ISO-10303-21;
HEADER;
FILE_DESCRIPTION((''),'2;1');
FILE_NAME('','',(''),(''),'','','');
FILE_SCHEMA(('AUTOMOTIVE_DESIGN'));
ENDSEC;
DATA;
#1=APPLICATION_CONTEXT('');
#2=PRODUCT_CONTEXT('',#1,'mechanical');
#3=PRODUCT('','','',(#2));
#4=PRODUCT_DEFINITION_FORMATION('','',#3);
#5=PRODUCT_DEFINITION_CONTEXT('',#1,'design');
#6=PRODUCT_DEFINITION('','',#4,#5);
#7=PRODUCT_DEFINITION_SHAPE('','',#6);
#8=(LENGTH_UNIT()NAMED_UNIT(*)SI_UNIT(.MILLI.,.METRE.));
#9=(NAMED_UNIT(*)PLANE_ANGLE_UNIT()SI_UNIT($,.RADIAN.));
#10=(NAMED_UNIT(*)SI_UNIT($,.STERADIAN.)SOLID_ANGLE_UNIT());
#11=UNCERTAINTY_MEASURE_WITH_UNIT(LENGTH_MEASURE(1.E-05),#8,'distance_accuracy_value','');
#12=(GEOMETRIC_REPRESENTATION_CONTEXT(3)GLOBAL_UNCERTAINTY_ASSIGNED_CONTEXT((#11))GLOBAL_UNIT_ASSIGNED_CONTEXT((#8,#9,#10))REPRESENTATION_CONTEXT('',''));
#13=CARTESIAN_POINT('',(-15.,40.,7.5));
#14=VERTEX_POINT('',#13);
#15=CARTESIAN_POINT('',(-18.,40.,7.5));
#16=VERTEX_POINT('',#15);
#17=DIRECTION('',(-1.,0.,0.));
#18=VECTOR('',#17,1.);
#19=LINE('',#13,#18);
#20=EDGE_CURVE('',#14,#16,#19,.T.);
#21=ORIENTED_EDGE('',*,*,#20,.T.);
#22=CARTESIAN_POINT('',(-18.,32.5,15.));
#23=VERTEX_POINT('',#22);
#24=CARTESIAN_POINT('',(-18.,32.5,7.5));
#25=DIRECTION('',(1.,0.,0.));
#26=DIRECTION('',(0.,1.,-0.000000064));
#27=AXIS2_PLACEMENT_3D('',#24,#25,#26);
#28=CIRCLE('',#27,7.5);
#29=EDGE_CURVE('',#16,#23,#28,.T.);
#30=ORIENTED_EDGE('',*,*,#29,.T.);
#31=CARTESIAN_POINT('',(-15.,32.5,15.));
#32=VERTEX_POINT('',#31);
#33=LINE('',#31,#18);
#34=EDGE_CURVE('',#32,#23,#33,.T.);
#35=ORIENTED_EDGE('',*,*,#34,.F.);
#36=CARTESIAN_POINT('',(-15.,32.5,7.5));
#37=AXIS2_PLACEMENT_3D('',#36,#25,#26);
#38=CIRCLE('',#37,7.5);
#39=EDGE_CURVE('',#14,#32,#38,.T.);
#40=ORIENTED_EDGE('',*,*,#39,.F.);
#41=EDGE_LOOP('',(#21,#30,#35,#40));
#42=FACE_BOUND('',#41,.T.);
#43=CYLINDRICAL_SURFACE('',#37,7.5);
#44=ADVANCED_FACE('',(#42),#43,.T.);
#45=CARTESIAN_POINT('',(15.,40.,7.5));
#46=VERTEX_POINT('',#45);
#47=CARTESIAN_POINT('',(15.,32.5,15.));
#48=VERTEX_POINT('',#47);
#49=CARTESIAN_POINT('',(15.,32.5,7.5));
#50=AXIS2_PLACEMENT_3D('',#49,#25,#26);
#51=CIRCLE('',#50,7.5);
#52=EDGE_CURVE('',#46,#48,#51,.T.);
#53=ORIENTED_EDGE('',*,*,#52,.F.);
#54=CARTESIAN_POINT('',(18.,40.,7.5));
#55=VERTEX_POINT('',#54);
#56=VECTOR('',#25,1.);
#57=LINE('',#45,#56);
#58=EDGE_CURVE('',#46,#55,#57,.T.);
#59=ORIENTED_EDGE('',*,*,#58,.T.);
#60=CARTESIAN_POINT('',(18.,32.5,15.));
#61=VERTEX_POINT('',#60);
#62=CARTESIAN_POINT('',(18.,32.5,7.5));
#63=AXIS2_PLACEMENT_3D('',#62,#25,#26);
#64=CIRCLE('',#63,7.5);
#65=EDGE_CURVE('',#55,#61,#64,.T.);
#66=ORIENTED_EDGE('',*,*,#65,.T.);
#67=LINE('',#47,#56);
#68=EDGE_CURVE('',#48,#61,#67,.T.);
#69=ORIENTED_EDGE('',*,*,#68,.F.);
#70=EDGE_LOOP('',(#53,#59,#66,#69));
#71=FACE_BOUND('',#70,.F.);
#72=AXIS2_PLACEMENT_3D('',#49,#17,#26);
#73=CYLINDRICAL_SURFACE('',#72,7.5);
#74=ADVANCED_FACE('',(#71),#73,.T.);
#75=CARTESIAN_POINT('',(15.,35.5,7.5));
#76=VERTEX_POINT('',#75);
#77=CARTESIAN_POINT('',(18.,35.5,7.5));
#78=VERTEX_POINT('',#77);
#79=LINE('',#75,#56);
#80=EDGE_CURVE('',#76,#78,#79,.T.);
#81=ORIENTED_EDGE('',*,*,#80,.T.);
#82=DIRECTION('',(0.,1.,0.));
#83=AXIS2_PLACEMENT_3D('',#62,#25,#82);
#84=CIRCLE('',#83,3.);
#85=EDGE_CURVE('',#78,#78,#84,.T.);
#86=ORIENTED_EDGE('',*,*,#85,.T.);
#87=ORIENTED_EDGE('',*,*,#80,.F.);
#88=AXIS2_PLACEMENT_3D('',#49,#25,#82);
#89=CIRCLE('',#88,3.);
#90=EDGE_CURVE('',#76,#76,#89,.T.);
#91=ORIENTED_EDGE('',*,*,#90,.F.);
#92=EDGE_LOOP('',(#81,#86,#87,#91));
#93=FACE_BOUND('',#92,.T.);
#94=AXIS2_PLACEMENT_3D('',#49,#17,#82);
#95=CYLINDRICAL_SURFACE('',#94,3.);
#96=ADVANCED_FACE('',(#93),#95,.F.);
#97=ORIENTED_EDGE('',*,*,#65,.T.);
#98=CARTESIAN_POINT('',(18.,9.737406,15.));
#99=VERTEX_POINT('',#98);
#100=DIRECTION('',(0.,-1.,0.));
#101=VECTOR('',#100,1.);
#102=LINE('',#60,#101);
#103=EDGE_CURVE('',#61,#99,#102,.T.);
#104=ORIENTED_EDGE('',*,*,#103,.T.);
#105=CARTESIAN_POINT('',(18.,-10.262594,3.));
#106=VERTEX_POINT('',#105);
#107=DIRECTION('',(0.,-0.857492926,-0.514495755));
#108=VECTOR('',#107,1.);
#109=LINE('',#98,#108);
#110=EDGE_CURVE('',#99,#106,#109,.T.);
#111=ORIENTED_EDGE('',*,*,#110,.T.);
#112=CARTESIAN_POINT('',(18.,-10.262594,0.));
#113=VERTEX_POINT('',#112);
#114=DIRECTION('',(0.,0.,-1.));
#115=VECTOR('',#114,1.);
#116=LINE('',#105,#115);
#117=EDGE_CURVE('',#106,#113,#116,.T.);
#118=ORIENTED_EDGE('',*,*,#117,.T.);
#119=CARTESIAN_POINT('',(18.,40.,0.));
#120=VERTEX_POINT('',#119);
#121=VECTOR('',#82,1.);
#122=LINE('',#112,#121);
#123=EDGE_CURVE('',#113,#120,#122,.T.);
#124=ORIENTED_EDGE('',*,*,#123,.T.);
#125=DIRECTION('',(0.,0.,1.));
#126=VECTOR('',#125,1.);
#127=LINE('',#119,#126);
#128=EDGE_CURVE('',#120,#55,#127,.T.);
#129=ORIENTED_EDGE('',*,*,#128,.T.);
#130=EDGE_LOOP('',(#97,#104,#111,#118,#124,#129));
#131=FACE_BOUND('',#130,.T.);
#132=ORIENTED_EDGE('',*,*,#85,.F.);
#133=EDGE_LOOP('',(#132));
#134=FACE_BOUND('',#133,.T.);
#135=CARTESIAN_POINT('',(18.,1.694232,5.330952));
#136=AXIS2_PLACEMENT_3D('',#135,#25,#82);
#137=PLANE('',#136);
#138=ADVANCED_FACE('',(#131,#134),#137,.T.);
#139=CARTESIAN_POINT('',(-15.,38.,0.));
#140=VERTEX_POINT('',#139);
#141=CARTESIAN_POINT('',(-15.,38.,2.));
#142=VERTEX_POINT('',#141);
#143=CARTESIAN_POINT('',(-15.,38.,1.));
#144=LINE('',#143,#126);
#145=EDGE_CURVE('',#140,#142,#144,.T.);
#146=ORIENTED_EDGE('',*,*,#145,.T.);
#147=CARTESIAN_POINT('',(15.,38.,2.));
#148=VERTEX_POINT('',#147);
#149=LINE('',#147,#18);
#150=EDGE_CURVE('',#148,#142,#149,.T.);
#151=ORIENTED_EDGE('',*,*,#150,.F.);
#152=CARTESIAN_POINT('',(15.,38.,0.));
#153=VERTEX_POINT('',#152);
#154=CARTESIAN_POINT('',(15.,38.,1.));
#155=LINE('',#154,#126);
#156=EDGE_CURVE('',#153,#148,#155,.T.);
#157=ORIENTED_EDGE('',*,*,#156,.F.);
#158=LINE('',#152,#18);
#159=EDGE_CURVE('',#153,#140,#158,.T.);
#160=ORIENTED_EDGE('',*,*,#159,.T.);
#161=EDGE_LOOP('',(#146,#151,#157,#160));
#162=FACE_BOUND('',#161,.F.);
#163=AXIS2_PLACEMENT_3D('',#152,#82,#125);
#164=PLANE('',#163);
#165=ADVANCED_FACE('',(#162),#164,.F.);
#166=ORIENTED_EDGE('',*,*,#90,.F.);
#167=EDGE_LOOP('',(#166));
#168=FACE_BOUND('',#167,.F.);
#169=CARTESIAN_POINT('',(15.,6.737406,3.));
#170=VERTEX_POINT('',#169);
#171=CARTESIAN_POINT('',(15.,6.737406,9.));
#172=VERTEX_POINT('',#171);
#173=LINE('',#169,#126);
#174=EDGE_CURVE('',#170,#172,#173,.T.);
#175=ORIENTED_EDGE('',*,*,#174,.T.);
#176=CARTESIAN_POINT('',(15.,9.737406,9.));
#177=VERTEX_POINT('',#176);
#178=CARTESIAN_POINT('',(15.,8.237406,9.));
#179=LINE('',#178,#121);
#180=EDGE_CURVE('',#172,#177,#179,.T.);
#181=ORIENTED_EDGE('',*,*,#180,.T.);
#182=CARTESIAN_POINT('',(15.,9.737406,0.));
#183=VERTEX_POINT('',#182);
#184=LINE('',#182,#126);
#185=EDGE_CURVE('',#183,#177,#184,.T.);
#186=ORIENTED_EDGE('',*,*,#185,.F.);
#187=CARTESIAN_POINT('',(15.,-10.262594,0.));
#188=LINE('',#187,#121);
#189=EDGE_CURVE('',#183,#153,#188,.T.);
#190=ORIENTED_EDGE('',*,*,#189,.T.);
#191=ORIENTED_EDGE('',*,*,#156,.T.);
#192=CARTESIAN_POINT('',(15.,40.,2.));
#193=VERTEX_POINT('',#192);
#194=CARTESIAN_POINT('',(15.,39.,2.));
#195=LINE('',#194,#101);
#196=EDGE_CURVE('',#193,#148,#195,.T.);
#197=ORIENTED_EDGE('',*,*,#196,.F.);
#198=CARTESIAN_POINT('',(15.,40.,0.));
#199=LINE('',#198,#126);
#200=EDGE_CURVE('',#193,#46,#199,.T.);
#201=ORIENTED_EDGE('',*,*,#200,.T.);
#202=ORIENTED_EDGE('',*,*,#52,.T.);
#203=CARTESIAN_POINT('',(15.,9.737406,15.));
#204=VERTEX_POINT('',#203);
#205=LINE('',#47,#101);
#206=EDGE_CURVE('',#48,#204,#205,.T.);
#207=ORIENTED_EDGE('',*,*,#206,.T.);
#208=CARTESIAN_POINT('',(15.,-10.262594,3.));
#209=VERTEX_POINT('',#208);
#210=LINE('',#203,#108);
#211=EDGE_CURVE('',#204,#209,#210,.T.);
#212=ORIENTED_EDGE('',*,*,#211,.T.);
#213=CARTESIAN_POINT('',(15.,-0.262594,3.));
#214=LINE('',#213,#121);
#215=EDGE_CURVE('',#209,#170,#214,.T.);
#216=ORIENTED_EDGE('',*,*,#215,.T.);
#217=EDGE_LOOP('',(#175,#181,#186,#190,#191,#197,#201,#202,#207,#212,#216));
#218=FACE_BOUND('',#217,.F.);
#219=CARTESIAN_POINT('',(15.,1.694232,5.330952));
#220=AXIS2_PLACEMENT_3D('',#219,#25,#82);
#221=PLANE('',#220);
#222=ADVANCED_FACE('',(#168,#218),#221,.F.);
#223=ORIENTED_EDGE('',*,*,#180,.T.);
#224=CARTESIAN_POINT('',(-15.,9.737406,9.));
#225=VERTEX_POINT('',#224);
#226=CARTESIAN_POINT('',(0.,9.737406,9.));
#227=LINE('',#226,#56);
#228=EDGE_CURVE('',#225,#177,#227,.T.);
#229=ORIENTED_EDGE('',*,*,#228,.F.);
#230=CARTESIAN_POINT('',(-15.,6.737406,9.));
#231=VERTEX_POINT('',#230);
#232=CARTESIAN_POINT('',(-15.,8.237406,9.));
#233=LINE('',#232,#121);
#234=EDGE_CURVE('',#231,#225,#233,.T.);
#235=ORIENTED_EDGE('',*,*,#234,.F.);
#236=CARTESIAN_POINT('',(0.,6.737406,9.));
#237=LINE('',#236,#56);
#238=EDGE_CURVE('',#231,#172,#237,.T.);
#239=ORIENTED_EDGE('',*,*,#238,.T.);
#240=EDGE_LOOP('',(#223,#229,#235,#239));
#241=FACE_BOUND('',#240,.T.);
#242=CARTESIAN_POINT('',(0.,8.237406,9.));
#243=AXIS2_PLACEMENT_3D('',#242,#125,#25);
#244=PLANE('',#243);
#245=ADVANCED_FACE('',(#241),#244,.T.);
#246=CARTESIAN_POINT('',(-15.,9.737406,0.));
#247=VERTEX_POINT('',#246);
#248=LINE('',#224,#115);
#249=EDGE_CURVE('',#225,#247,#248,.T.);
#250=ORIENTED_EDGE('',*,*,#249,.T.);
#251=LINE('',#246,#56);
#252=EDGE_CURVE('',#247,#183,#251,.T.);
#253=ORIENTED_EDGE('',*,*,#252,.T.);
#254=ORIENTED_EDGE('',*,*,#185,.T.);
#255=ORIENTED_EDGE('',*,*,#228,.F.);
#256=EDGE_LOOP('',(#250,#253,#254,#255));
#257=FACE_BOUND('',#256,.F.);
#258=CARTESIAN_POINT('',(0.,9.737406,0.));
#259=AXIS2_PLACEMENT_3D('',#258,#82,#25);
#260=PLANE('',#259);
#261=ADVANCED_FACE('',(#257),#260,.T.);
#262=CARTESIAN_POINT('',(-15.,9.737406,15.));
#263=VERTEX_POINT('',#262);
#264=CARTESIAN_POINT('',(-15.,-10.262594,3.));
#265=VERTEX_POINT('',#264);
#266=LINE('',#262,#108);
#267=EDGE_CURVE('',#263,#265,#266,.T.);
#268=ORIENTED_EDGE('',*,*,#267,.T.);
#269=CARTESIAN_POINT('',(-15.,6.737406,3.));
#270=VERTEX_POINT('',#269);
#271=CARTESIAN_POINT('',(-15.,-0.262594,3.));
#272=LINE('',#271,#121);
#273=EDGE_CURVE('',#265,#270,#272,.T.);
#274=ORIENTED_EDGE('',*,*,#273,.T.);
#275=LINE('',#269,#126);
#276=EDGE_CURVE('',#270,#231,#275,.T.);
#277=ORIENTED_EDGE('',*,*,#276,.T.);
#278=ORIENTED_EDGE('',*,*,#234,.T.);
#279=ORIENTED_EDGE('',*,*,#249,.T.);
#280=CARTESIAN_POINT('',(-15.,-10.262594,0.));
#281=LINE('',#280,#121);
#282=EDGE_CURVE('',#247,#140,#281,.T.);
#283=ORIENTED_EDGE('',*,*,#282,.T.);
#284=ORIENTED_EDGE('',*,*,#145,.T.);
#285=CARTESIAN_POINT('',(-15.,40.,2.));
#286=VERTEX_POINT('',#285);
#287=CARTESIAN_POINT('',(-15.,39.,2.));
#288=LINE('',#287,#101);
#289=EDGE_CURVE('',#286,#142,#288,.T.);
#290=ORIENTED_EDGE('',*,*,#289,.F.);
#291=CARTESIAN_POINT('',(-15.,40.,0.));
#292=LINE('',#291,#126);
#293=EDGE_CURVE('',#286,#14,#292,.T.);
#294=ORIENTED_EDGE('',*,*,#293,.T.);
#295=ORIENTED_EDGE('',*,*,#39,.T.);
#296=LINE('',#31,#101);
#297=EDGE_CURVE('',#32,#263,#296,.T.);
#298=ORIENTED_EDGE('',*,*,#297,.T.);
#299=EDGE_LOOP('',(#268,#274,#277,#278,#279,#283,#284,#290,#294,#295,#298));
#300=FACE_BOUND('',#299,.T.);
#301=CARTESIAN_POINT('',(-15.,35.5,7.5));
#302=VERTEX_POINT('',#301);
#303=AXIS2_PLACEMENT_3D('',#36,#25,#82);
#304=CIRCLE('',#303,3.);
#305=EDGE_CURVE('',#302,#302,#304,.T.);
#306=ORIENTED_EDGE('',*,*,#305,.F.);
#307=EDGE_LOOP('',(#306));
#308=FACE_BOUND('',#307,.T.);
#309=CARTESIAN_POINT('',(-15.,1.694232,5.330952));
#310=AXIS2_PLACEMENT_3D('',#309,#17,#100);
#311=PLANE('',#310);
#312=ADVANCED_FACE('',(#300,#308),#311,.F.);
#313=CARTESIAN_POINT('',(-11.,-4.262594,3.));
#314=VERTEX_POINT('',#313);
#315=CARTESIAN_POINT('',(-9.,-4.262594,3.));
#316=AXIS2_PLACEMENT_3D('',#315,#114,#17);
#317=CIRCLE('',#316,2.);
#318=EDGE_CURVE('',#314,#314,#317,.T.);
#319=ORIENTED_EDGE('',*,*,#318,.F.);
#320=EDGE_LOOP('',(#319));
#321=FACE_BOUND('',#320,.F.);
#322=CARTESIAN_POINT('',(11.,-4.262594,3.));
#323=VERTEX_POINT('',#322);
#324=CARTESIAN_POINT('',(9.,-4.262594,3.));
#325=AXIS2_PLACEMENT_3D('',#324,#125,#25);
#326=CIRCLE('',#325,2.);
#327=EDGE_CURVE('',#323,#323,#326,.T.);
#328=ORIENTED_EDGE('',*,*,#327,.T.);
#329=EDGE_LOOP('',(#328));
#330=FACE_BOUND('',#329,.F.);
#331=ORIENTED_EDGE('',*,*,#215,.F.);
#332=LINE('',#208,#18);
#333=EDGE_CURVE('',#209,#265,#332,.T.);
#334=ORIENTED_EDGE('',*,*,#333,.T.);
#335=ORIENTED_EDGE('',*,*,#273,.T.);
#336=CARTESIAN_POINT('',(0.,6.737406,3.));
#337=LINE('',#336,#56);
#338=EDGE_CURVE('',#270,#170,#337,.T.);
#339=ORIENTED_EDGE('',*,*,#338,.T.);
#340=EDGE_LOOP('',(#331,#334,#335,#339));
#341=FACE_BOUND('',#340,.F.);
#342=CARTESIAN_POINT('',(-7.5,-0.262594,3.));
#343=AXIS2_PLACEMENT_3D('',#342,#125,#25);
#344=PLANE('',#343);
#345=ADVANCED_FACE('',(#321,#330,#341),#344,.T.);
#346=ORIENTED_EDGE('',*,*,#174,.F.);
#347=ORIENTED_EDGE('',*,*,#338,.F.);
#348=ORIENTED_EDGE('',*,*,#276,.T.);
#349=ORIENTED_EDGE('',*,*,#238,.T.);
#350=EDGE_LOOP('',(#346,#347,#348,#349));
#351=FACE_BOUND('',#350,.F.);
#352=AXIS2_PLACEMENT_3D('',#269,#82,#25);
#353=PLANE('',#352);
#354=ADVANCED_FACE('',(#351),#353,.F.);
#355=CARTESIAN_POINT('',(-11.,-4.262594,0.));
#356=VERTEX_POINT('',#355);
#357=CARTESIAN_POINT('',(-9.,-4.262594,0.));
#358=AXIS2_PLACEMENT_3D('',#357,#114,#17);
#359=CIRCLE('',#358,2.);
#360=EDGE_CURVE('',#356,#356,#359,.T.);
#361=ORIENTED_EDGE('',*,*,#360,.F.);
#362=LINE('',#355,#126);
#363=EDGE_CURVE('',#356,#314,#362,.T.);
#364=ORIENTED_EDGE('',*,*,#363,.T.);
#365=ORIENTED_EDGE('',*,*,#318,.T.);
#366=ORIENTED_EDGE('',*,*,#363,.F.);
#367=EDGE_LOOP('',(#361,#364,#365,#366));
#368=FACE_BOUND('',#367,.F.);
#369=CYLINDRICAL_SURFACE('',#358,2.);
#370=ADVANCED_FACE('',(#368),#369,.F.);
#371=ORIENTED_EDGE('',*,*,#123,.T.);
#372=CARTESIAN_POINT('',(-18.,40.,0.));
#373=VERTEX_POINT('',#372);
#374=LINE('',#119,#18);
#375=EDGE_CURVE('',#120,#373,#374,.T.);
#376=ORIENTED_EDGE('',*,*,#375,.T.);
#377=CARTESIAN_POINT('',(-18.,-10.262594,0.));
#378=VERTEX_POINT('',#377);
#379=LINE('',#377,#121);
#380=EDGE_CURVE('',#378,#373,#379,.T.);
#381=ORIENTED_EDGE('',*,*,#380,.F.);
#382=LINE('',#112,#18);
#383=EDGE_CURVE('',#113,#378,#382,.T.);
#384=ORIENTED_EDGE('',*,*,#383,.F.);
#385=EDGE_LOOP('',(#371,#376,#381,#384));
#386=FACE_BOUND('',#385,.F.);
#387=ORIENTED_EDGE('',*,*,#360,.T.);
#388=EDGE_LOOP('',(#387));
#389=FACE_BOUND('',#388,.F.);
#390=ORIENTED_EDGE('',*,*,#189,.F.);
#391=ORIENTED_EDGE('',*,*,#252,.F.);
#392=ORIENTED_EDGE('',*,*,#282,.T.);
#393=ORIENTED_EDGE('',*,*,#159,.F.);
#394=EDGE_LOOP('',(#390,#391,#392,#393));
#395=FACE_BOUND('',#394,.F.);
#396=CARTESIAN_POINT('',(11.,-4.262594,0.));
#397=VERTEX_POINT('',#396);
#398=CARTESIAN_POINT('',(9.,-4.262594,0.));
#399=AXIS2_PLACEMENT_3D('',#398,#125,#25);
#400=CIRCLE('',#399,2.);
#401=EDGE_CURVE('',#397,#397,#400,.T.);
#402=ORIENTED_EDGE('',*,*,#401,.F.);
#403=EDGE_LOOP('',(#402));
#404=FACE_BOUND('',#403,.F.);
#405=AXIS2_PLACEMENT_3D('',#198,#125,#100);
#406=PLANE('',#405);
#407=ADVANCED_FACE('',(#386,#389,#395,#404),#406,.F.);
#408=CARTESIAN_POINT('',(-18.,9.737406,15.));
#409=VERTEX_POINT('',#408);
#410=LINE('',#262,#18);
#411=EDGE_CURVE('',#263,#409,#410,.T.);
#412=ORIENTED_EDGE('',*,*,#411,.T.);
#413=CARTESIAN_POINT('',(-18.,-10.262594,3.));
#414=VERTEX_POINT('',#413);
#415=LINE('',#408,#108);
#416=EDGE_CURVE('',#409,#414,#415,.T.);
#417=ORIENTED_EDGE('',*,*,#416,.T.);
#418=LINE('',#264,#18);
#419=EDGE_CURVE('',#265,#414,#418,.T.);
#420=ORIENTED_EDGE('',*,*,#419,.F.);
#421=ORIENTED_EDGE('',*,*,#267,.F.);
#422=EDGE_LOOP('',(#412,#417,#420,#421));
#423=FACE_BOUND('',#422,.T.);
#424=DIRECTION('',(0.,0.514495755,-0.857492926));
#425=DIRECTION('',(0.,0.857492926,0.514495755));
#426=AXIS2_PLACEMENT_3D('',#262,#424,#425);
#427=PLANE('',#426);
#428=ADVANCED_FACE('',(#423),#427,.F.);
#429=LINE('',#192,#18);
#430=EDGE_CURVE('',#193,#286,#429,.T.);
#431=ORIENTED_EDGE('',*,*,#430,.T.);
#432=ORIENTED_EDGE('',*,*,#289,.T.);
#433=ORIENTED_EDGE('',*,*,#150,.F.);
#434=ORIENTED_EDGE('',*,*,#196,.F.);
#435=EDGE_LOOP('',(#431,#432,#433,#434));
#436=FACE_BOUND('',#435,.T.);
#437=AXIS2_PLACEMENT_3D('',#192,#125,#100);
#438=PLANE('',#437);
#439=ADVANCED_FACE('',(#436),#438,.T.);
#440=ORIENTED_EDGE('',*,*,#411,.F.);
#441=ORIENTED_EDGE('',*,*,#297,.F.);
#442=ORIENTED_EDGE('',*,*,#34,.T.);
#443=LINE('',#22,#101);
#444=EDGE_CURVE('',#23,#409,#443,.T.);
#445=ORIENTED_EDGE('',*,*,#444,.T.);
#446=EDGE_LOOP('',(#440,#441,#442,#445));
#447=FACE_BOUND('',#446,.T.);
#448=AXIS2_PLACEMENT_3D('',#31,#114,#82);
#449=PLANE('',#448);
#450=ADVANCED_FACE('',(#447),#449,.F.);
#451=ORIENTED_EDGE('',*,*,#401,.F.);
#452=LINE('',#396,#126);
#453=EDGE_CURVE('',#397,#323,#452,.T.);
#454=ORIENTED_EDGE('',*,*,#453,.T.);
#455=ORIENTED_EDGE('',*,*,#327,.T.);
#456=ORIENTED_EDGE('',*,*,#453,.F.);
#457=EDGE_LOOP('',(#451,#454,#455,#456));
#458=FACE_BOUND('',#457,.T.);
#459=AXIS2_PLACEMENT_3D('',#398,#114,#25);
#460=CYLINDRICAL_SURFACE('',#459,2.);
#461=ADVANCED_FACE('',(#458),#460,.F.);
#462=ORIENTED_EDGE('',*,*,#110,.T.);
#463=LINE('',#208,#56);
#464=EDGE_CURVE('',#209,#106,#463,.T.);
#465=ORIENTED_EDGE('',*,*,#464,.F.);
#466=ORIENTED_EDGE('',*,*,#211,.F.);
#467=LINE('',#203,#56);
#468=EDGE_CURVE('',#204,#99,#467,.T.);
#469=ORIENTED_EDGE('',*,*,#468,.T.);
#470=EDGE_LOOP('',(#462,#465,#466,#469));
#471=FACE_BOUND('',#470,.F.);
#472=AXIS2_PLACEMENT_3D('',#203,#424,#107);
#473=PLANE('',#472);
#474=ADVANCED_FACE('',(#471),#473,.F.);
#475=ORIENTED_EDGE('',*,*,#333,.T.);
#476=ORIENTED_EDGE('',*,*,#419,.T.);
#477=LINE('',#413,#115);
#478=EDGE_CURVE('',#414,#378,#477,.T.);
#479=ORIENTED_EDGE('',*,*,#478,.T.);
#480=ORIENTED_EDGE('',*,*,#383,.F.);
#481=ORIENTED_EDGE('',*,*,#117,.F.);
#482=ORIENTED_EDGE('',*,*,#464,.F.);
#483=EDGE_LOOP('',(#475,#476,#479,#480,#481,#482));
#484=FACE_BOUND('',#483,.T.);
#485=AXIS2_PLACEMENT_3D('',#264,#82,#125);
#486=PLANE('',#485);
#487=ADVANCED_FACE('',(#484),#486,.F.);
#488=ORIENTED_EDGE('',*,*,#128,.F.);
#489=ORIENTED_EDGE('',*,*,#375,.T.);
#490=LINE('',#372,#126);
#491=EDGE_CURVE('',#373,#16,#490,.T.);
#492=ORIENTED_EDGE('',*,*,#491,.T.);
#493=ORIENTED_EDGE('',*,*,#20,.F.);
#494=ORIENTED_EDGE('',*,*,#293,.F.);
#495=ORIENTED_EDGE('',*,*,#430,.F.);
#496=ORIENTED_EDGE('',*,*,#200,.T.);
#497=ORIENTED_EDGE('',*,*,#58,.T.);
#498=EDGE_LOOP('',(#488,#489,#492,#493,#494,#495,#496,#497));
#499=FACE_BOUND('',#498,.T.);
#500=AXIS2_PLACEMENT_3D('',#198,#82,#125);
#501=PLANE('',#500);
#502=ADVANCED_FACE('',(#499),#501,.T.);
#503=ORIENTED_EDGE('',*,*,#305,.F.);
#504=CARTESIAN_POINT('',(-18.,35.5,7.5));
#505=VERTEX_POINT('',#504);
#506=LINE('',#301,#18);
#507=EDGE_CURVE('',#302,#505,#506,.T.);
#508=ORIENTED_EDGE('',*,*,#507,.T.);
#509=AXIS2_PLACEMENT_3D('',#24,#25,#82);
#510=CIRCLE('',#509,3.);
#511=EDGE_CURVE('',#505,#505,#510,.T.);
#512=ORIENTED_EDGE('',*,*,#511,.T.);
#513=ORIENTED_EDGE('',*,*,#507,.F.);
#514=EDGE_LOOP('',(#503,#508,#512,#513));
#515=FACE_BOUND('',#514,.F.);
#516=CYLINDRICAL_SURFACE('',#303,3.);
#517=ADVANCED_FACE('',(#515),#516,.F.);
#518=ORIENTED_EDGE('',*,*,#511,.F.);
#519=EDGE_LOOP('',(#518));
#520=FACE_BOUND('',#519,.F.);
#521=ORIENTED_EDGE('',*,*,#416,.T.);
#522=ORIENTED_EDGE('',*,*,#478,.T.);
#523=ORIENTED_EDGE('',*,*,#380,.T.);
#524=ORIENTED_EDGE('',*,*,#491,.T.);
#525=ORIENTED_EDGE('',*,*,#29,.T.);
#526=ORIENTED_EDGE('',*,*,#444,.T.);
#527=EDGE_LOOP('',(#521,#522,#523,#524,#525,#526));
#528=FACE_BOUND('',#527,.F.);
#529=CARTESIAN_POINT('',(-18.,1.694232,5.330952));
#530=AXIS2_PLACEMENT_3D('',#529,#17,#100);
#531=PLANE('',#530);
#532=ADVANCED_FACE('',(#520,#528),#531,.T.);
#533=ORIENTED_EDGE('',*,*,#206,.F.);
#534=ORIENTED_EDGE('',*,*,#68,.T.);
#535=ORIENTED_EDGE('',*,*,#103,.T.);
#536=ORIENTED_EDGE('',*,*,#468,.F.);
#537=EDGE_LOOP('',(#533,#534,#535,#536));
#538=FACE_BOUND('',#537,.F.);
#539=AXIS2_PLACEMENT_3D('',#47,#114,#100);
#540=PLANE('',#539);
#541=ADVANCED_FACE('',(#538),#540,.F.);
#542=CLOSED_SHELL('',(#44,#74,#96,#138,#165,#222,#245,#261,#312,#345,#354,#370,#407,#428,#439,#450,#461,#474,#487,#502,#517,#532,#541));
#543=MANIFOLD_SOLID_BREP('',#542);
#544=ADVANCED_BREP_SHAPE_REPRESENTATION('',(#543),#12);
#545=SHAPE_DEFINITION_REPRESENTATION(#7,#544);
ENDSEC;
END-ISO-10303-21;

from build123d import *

# Parameters (mm, degrees)
F0_W     = 15
F0_H     = 20
F0_R     = 2
F1_DEPTH = 3
F2_R     = 3
F3_DEPTH = 3
F5_W     = 30
F5_H     = 3
F6_DEPTH = 6
F7_W     = 2
F7_H     = 2
F8_DEPTH = 30


with BuildPart() as f1:
    # F0 (on Top) → F1 (new body)
    with BuildSketch(Plane.XY):
        with Locations((7.5, -0.262594)):
            Rectangle(F0_W, F0_H)
        with Locations((9, -4.262594)):
            Circle(F0_R, mode=Mode.SUBTRACT)
    extrude(amount=F1_DEPTH)

    # F2 (on face) → F3 (join)
    with BuildSketch(Plane.YZ.offset(15)):
        Polygon((-10.262594, 0), (0, 0), (9.737406, 0), (9.737406, 15), (-10.262594, 3), align=None)
        with BuildLine():
            Line((9.737406, 15), (9.737406, 0))
            Line((9.737406, 0), (40, 0))
            Line((40, 0), (40, 7.5))
            ThreePointArc((40, 7.5), (37.803301, 12.803301), (32.5, 15))
            Line((32.5, 15), (9.737406, 15))
        make_face()
        with Locations((32.5, 7.5)):
            Circle(F2_R, mode=Mode.SUBTRACT)
    extrude(amount=F3_DEPTH)

    # F4: F1 across plane


with BuildPart() as f1_1:
    add(f1.part)
    add(f1.part.mirror(Plane.YZ))

    # F5 (on face) → F6 (join)
    with BuildSketch(Plane.XY.offset(3)):
        with Locations((0, 8.237406)):
            Rectangle(F5_W, F5_H)
    extrude(amount=F6_DEPTH)

    # F7 (on face) → F8 (join, through all)
    with BuildSketch(Plane(origin=(15, 0, 0), x_dir=(0, -1, 0), z_dir=(-1, 0, 0))):
        with Locations((-39, 1)):
            Rectangle(F7_W, F7_H)
    extrude(amount=F8_DEPTH)


solid = f1_1.part
